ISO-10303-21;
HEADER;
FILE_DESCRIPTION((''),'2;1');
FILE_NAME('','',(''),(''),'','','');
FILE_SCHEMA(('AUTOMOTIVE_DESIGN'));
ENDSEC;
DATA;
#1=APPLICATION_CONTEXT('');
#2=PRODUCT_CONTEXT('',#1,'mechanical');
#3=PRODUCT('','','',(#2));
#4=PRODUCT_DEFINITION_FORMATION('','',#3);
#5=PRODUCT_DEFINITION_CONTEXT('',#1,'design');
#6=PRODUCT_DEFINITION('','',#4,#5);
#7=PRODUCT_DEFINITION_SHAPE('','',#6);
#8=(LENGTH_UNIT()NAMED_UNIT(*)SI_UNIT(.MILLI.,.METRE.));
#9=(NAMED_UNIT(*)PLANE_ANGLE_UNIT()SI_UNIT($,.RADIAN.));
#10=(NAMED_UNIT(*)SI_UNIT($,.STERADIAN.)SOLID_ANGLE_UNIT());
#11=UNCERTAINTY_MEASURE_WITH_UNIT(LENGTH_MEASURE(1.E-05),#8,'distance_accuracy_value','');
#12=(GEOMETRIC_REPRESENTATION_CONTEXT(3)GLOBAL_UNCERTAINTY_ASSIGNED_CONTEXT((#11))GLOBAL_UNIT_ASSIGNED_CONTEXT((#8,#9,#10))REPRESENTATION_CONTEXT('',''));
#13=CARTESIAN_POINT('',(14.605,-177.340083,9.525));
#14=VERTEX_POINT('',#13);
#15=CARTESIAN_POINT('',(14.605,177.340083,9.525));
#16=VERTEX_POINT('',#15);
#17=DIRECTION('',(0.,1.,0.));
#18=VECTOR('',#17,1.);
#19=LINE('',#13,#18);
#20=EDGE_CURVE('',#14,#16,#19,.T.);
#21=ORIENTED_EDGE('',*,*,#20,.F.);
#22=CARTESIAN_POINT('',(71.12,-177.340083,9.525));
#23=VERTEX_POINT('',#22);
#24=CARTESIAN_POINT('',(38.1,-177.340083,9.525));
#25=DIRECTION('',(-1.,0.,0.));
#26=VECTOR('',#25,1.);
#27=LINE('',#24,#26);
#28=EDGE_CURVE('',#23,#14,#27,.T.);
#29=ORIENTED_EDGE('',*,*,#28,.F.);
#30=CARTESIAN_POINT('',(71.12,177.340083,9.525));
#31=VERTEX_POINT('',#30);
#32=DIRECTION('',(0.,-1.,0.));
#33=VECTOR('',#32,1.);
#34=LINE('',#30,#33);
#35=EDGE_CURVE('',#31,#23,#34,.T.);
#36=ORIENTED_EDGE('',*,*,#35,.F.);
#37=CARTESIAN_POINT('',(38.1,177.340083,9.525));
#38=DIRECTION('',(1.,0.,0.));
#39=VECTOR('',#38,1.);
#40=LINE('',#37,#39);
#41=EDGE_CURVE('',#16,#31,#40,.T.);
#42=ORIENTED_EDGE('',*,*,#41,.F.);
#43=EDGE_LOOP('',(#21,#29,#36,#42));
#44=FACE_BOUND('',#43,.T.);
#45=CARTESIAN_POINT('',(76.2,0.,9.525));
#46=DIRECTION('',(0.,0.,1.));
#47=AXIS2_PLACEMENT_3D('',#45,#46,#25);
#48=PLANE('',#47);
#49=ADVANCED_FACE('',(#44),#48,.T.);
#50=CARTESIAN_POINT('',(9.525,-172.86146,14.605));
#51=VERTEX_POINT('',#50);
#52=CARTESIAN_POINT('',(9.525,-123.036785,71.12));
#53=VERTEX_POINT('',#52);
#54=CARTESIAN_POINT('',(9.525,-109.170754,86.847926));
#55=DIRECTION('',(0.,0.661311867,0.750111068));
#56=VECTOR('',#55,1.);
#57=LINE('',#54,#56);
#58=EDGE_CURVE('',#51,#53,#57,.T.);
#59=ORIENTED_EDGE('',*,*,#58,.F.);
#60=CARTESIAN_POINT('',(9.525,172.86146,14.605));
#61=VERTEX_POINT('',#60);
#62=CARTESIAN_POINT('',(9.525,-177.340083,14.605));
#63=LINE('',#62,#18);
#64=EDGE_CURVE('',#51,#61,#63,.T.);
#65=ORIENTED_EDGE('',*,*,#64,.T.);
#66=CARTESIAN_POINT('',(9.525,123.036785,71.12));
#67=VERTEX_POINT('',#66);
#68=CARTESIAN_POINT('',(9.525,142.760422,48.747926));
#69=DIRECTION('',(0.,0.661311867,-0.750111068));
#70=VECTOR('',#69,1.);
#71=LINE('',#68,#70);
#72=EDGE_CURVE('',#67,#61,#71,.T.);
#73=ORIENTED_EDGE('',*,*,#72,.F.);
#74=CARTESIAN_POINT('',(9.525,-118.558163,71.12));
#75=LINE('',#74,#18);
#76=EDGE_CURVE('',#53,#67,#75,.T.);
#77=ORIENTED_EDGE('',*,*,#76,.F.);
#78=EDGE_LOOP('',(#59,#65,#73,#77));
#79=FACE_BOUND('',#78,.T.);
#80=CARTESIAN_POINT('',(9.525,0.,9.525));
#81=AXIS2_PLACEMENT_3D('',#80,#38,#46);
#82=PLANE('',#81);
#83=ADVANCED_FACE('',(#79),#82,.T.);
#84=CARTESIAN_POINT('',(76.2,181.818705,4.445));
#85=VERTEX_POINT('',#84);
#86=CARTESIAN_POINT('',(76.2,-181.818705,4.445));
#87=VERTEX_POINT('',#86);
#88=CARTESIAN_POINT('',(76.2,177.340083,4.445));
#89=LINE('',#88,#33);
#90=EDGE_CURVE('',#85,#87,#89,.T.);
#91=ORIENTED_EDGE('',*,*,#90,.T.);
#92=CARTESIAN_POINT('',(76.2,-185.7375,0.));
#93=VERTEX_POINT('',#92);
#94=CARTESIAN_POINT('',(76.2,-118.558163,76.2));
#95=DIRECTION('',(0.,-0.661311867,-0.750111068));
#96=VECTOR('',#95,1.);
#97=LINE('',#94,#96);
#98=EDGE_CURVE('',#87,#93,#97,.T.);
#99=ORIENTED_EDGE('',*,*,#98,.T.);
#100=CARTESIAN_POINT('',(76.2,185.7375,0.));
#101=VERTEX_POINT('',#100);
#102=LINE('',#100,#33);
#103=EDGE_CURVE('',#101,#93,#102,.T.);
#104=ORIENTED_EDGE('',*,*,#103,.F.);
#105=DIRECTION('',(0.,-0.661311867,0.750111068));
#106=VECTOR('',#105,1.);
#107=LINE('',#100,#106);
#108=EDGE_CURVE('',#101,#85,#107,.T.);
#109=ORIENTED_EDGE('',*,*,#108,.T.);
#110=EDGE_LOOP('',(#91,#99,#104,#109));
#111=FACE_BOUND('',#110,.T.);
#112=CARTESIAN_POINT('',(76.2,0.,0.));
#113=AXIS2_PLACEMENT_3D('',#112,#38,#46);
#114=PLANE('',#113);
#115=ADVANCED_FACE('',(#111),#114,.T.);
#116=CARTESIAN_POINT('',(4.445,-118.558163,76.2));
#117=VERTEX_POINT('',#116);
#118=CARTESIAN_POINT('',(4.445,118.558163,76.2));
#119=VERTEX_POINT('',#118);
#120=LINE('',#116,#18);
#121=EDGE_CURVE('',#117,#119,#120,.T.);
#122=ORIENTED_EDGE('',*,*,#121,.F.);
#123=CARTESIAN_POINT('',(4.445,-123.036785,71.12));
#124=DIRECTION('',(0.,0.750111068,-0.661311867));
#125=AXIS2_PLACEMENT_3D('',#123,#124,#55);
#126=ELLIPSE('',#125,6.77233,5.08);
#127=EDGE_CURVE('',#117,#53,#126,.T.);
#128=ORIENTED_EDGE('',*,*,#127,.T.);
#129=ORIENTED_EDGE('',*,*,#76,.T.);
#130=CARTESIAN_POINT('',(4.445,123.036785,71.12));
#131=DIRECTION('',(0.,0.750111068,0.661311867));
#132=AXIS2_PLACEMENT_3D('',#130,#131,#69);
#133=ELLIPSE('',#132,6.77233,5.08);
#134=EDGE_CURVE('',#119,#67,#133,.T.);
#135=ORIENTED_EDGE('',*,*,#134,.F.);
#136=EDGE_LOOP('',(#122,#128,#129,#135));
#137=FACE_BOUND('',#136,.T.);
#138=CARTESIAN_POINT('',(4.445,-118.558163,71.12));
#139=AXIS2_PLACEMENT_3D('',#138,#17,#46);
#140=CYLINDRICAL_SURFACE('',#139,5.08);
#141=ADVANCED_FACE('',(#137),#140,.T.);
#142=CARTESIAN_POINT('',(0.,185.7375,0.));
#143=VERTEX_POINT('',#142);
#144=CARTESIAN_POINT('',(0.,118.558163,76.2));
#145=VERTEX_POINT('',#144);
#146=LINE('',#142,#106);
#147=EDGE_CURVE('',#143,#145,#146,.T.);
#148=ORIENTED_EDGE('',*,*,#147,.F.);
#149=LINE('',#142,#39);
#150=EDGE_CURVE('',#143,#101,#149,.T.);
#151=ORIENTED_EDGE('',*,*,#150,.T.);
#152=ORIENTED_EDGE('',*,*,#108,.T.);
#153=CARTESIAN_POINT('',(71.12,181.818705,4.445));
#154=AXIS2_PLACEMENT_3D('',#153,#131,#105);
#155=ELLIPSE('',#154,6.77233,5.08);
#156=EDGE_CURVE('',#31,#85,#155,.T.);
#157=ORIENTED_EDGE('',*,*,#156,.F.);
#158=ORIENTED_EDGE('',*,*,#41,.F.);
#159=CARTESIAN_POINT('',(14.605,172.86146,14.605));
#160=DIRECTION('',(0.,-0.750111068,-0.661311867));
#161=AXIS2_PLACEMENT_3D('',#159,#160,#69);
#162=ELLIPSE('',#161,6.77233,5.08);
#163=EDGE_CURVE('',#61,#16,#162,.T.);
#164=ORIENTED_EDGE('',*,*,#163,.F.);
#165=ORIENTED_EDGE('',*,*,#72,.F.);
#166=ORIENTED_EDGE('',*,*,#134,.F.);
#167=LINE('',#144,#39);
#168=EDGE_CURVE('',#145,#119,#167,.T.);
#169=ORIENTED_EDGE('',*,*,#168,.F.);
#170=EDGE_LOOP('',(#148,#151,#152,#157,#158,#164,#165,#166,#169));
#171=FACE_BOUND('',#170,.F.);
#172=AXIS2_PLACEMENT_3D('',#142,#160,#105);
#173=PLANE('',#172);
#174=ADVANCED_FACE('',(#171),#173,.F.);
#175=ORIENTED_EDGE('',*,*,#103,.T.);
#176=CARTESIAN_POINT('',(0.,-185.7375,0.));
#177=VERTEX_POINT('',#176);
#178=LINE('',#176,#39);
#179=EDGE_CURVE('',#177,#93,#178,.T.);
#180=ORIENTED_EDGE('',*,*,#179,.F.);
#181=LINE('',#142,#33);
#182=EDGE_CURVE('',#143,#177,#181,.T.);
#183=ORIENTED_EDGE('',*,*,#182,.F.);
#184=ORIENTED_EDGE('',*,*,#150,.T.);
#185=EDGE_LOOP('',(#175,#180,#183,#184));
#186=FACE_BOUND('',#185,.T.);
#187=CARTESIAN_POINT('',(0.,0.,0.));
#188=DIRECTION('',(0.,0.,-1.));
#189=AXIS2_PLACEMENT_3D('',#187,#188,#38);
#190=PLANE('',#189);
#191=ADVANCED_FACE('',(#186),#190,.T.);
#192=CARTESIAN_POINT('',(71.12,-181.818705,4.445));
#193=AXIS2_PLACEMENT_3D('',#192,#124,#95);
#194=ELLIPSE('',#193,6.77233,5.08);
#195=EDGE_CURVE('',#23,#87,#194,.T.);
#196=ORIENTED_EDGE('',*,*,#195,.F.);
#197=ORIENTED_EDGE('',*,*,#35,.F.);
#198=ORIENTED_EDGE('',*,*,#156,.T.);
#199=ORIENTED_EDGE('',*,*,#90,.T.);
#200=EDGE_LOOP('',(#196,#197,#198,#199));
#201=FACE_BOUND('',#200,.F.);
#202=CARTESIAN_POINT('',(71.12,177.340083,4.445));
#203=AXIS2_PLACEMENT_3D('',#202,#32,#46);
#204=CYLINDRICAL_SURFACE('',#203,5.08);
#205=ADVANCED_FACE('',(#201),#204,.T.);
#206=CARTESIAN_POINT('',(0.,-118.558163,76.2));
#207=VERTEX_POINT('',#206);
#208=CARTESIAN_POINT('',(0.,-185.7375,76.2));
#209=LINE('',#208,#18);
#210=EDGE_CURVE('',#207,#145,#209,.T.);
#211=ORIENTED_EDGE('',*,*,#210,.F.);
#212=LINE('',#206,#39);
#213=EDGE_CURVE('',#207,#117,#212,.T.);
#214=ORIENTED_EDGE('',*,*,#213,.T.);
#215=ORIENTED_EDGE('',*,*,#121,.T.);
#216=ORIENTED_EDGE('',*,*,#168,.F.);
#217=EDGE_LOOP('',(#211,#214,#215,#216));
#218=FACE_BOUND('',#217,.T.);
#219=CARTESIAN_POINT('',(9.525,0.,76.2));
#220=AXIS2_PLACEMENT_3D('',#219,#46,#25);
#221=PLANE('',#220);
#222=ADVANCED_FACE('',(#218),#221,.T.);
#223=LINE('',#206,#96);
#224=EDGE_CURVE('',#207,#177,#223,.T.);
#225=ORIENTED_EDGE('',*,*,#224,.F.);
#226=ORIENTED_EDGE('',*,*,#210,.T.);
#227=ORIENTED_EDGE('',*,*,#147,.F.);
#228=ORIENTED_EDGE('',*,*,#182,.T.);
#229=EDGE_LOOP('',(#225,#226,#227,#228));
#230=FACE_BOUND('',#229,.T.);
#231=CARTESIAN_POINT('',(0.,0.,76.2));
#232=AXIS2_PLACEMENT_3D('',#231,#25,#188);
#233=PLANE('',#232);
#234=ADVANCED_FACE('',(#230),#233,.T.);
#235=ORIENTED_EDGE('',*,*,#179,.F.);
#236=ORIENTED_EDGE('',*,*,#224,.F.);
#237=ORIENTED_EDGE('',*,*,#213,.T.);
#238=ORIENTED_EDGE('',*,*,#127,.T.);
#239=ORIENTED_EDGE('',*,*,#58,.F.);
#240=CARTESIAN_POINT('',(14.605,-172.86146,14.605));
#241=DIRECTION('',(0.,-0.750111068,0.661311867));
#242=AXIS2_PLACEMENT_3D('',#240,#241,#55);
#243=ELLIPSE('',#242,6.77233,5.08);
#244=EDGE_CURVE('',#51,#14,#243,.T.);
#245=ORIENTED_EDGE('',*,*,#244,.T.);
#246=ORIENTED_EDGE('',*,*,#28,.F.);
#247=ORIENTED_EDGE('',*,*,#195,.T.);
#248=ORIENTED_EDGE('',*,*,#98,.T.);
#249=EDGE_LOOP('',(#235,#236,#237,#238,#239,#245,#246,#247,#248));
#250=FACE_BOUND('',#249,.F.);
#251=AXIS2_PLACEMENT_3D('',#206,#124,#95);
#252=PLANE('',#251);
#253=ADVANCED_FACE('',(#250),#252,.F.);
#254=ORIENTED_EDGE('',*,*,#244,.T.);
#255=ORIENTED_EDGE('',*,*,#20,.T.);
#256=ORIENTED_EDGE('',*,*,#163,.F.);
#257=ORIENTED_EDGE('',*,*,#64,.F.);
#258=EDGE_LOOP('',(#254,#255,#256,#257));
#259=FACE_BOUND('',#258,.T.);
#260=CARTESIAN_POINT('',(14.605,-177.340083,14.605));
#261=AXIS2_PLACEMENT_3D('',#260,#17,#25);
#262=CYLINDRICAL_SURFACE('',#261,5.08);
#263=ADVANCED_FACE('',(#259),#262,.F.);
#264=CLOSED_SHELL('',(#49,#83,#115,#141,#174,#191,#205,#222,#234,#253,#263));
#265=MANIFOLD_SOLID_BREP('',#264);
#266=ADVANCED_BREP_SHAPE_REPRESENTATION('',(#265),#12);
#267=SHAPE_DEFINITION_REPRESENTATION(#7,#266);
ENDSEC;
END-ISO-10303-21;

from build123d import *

# Parameters (mm, degrees)
F1_DEPTH = 185.7375
F3_DEPTH = 76.2
F4_R     = 5.08


with BuildPart() as f1:
    # F0 (on Front) → F1 (new body, symmetric)
    with BuildSketch(Plane.XZ):
        Polygon((0, 76.2), (0, 0), (76.2, 0), (76.2, 9.525), (9.525, 9.525), (9.525, 76.2), align=None)
    extrude(amount=F1_DEPTH, both=True)

    # F2 (on face) → F3 (cut)
    with BuildSketch(Plane(origin=(0, 0, 0), x_dir=(0, -1, 0), z_dir=(-1, 0, 0))):
        Polygon((-185.7375, 76.2), (-185.7375, 0), (-118.558163, 76.2), align=None)
        Polygon((118.558163, 76.2), (185.7375, 0), (185.7375, 76.2), align=None)
    extrude(amount=-F3_DEPTH, mode=Mode.SUBTRACT)

    # F4
    f4_edges = [f1.edges().sort_by_distance(p)[0] for p in [
        (9.525, 0, 76.2),
        (9.525, 0, 9.525),
        (76.2, 0, 9.525),
    ]]
    fillet(f4_edges, radius=F4_R)


solid = f1.part
